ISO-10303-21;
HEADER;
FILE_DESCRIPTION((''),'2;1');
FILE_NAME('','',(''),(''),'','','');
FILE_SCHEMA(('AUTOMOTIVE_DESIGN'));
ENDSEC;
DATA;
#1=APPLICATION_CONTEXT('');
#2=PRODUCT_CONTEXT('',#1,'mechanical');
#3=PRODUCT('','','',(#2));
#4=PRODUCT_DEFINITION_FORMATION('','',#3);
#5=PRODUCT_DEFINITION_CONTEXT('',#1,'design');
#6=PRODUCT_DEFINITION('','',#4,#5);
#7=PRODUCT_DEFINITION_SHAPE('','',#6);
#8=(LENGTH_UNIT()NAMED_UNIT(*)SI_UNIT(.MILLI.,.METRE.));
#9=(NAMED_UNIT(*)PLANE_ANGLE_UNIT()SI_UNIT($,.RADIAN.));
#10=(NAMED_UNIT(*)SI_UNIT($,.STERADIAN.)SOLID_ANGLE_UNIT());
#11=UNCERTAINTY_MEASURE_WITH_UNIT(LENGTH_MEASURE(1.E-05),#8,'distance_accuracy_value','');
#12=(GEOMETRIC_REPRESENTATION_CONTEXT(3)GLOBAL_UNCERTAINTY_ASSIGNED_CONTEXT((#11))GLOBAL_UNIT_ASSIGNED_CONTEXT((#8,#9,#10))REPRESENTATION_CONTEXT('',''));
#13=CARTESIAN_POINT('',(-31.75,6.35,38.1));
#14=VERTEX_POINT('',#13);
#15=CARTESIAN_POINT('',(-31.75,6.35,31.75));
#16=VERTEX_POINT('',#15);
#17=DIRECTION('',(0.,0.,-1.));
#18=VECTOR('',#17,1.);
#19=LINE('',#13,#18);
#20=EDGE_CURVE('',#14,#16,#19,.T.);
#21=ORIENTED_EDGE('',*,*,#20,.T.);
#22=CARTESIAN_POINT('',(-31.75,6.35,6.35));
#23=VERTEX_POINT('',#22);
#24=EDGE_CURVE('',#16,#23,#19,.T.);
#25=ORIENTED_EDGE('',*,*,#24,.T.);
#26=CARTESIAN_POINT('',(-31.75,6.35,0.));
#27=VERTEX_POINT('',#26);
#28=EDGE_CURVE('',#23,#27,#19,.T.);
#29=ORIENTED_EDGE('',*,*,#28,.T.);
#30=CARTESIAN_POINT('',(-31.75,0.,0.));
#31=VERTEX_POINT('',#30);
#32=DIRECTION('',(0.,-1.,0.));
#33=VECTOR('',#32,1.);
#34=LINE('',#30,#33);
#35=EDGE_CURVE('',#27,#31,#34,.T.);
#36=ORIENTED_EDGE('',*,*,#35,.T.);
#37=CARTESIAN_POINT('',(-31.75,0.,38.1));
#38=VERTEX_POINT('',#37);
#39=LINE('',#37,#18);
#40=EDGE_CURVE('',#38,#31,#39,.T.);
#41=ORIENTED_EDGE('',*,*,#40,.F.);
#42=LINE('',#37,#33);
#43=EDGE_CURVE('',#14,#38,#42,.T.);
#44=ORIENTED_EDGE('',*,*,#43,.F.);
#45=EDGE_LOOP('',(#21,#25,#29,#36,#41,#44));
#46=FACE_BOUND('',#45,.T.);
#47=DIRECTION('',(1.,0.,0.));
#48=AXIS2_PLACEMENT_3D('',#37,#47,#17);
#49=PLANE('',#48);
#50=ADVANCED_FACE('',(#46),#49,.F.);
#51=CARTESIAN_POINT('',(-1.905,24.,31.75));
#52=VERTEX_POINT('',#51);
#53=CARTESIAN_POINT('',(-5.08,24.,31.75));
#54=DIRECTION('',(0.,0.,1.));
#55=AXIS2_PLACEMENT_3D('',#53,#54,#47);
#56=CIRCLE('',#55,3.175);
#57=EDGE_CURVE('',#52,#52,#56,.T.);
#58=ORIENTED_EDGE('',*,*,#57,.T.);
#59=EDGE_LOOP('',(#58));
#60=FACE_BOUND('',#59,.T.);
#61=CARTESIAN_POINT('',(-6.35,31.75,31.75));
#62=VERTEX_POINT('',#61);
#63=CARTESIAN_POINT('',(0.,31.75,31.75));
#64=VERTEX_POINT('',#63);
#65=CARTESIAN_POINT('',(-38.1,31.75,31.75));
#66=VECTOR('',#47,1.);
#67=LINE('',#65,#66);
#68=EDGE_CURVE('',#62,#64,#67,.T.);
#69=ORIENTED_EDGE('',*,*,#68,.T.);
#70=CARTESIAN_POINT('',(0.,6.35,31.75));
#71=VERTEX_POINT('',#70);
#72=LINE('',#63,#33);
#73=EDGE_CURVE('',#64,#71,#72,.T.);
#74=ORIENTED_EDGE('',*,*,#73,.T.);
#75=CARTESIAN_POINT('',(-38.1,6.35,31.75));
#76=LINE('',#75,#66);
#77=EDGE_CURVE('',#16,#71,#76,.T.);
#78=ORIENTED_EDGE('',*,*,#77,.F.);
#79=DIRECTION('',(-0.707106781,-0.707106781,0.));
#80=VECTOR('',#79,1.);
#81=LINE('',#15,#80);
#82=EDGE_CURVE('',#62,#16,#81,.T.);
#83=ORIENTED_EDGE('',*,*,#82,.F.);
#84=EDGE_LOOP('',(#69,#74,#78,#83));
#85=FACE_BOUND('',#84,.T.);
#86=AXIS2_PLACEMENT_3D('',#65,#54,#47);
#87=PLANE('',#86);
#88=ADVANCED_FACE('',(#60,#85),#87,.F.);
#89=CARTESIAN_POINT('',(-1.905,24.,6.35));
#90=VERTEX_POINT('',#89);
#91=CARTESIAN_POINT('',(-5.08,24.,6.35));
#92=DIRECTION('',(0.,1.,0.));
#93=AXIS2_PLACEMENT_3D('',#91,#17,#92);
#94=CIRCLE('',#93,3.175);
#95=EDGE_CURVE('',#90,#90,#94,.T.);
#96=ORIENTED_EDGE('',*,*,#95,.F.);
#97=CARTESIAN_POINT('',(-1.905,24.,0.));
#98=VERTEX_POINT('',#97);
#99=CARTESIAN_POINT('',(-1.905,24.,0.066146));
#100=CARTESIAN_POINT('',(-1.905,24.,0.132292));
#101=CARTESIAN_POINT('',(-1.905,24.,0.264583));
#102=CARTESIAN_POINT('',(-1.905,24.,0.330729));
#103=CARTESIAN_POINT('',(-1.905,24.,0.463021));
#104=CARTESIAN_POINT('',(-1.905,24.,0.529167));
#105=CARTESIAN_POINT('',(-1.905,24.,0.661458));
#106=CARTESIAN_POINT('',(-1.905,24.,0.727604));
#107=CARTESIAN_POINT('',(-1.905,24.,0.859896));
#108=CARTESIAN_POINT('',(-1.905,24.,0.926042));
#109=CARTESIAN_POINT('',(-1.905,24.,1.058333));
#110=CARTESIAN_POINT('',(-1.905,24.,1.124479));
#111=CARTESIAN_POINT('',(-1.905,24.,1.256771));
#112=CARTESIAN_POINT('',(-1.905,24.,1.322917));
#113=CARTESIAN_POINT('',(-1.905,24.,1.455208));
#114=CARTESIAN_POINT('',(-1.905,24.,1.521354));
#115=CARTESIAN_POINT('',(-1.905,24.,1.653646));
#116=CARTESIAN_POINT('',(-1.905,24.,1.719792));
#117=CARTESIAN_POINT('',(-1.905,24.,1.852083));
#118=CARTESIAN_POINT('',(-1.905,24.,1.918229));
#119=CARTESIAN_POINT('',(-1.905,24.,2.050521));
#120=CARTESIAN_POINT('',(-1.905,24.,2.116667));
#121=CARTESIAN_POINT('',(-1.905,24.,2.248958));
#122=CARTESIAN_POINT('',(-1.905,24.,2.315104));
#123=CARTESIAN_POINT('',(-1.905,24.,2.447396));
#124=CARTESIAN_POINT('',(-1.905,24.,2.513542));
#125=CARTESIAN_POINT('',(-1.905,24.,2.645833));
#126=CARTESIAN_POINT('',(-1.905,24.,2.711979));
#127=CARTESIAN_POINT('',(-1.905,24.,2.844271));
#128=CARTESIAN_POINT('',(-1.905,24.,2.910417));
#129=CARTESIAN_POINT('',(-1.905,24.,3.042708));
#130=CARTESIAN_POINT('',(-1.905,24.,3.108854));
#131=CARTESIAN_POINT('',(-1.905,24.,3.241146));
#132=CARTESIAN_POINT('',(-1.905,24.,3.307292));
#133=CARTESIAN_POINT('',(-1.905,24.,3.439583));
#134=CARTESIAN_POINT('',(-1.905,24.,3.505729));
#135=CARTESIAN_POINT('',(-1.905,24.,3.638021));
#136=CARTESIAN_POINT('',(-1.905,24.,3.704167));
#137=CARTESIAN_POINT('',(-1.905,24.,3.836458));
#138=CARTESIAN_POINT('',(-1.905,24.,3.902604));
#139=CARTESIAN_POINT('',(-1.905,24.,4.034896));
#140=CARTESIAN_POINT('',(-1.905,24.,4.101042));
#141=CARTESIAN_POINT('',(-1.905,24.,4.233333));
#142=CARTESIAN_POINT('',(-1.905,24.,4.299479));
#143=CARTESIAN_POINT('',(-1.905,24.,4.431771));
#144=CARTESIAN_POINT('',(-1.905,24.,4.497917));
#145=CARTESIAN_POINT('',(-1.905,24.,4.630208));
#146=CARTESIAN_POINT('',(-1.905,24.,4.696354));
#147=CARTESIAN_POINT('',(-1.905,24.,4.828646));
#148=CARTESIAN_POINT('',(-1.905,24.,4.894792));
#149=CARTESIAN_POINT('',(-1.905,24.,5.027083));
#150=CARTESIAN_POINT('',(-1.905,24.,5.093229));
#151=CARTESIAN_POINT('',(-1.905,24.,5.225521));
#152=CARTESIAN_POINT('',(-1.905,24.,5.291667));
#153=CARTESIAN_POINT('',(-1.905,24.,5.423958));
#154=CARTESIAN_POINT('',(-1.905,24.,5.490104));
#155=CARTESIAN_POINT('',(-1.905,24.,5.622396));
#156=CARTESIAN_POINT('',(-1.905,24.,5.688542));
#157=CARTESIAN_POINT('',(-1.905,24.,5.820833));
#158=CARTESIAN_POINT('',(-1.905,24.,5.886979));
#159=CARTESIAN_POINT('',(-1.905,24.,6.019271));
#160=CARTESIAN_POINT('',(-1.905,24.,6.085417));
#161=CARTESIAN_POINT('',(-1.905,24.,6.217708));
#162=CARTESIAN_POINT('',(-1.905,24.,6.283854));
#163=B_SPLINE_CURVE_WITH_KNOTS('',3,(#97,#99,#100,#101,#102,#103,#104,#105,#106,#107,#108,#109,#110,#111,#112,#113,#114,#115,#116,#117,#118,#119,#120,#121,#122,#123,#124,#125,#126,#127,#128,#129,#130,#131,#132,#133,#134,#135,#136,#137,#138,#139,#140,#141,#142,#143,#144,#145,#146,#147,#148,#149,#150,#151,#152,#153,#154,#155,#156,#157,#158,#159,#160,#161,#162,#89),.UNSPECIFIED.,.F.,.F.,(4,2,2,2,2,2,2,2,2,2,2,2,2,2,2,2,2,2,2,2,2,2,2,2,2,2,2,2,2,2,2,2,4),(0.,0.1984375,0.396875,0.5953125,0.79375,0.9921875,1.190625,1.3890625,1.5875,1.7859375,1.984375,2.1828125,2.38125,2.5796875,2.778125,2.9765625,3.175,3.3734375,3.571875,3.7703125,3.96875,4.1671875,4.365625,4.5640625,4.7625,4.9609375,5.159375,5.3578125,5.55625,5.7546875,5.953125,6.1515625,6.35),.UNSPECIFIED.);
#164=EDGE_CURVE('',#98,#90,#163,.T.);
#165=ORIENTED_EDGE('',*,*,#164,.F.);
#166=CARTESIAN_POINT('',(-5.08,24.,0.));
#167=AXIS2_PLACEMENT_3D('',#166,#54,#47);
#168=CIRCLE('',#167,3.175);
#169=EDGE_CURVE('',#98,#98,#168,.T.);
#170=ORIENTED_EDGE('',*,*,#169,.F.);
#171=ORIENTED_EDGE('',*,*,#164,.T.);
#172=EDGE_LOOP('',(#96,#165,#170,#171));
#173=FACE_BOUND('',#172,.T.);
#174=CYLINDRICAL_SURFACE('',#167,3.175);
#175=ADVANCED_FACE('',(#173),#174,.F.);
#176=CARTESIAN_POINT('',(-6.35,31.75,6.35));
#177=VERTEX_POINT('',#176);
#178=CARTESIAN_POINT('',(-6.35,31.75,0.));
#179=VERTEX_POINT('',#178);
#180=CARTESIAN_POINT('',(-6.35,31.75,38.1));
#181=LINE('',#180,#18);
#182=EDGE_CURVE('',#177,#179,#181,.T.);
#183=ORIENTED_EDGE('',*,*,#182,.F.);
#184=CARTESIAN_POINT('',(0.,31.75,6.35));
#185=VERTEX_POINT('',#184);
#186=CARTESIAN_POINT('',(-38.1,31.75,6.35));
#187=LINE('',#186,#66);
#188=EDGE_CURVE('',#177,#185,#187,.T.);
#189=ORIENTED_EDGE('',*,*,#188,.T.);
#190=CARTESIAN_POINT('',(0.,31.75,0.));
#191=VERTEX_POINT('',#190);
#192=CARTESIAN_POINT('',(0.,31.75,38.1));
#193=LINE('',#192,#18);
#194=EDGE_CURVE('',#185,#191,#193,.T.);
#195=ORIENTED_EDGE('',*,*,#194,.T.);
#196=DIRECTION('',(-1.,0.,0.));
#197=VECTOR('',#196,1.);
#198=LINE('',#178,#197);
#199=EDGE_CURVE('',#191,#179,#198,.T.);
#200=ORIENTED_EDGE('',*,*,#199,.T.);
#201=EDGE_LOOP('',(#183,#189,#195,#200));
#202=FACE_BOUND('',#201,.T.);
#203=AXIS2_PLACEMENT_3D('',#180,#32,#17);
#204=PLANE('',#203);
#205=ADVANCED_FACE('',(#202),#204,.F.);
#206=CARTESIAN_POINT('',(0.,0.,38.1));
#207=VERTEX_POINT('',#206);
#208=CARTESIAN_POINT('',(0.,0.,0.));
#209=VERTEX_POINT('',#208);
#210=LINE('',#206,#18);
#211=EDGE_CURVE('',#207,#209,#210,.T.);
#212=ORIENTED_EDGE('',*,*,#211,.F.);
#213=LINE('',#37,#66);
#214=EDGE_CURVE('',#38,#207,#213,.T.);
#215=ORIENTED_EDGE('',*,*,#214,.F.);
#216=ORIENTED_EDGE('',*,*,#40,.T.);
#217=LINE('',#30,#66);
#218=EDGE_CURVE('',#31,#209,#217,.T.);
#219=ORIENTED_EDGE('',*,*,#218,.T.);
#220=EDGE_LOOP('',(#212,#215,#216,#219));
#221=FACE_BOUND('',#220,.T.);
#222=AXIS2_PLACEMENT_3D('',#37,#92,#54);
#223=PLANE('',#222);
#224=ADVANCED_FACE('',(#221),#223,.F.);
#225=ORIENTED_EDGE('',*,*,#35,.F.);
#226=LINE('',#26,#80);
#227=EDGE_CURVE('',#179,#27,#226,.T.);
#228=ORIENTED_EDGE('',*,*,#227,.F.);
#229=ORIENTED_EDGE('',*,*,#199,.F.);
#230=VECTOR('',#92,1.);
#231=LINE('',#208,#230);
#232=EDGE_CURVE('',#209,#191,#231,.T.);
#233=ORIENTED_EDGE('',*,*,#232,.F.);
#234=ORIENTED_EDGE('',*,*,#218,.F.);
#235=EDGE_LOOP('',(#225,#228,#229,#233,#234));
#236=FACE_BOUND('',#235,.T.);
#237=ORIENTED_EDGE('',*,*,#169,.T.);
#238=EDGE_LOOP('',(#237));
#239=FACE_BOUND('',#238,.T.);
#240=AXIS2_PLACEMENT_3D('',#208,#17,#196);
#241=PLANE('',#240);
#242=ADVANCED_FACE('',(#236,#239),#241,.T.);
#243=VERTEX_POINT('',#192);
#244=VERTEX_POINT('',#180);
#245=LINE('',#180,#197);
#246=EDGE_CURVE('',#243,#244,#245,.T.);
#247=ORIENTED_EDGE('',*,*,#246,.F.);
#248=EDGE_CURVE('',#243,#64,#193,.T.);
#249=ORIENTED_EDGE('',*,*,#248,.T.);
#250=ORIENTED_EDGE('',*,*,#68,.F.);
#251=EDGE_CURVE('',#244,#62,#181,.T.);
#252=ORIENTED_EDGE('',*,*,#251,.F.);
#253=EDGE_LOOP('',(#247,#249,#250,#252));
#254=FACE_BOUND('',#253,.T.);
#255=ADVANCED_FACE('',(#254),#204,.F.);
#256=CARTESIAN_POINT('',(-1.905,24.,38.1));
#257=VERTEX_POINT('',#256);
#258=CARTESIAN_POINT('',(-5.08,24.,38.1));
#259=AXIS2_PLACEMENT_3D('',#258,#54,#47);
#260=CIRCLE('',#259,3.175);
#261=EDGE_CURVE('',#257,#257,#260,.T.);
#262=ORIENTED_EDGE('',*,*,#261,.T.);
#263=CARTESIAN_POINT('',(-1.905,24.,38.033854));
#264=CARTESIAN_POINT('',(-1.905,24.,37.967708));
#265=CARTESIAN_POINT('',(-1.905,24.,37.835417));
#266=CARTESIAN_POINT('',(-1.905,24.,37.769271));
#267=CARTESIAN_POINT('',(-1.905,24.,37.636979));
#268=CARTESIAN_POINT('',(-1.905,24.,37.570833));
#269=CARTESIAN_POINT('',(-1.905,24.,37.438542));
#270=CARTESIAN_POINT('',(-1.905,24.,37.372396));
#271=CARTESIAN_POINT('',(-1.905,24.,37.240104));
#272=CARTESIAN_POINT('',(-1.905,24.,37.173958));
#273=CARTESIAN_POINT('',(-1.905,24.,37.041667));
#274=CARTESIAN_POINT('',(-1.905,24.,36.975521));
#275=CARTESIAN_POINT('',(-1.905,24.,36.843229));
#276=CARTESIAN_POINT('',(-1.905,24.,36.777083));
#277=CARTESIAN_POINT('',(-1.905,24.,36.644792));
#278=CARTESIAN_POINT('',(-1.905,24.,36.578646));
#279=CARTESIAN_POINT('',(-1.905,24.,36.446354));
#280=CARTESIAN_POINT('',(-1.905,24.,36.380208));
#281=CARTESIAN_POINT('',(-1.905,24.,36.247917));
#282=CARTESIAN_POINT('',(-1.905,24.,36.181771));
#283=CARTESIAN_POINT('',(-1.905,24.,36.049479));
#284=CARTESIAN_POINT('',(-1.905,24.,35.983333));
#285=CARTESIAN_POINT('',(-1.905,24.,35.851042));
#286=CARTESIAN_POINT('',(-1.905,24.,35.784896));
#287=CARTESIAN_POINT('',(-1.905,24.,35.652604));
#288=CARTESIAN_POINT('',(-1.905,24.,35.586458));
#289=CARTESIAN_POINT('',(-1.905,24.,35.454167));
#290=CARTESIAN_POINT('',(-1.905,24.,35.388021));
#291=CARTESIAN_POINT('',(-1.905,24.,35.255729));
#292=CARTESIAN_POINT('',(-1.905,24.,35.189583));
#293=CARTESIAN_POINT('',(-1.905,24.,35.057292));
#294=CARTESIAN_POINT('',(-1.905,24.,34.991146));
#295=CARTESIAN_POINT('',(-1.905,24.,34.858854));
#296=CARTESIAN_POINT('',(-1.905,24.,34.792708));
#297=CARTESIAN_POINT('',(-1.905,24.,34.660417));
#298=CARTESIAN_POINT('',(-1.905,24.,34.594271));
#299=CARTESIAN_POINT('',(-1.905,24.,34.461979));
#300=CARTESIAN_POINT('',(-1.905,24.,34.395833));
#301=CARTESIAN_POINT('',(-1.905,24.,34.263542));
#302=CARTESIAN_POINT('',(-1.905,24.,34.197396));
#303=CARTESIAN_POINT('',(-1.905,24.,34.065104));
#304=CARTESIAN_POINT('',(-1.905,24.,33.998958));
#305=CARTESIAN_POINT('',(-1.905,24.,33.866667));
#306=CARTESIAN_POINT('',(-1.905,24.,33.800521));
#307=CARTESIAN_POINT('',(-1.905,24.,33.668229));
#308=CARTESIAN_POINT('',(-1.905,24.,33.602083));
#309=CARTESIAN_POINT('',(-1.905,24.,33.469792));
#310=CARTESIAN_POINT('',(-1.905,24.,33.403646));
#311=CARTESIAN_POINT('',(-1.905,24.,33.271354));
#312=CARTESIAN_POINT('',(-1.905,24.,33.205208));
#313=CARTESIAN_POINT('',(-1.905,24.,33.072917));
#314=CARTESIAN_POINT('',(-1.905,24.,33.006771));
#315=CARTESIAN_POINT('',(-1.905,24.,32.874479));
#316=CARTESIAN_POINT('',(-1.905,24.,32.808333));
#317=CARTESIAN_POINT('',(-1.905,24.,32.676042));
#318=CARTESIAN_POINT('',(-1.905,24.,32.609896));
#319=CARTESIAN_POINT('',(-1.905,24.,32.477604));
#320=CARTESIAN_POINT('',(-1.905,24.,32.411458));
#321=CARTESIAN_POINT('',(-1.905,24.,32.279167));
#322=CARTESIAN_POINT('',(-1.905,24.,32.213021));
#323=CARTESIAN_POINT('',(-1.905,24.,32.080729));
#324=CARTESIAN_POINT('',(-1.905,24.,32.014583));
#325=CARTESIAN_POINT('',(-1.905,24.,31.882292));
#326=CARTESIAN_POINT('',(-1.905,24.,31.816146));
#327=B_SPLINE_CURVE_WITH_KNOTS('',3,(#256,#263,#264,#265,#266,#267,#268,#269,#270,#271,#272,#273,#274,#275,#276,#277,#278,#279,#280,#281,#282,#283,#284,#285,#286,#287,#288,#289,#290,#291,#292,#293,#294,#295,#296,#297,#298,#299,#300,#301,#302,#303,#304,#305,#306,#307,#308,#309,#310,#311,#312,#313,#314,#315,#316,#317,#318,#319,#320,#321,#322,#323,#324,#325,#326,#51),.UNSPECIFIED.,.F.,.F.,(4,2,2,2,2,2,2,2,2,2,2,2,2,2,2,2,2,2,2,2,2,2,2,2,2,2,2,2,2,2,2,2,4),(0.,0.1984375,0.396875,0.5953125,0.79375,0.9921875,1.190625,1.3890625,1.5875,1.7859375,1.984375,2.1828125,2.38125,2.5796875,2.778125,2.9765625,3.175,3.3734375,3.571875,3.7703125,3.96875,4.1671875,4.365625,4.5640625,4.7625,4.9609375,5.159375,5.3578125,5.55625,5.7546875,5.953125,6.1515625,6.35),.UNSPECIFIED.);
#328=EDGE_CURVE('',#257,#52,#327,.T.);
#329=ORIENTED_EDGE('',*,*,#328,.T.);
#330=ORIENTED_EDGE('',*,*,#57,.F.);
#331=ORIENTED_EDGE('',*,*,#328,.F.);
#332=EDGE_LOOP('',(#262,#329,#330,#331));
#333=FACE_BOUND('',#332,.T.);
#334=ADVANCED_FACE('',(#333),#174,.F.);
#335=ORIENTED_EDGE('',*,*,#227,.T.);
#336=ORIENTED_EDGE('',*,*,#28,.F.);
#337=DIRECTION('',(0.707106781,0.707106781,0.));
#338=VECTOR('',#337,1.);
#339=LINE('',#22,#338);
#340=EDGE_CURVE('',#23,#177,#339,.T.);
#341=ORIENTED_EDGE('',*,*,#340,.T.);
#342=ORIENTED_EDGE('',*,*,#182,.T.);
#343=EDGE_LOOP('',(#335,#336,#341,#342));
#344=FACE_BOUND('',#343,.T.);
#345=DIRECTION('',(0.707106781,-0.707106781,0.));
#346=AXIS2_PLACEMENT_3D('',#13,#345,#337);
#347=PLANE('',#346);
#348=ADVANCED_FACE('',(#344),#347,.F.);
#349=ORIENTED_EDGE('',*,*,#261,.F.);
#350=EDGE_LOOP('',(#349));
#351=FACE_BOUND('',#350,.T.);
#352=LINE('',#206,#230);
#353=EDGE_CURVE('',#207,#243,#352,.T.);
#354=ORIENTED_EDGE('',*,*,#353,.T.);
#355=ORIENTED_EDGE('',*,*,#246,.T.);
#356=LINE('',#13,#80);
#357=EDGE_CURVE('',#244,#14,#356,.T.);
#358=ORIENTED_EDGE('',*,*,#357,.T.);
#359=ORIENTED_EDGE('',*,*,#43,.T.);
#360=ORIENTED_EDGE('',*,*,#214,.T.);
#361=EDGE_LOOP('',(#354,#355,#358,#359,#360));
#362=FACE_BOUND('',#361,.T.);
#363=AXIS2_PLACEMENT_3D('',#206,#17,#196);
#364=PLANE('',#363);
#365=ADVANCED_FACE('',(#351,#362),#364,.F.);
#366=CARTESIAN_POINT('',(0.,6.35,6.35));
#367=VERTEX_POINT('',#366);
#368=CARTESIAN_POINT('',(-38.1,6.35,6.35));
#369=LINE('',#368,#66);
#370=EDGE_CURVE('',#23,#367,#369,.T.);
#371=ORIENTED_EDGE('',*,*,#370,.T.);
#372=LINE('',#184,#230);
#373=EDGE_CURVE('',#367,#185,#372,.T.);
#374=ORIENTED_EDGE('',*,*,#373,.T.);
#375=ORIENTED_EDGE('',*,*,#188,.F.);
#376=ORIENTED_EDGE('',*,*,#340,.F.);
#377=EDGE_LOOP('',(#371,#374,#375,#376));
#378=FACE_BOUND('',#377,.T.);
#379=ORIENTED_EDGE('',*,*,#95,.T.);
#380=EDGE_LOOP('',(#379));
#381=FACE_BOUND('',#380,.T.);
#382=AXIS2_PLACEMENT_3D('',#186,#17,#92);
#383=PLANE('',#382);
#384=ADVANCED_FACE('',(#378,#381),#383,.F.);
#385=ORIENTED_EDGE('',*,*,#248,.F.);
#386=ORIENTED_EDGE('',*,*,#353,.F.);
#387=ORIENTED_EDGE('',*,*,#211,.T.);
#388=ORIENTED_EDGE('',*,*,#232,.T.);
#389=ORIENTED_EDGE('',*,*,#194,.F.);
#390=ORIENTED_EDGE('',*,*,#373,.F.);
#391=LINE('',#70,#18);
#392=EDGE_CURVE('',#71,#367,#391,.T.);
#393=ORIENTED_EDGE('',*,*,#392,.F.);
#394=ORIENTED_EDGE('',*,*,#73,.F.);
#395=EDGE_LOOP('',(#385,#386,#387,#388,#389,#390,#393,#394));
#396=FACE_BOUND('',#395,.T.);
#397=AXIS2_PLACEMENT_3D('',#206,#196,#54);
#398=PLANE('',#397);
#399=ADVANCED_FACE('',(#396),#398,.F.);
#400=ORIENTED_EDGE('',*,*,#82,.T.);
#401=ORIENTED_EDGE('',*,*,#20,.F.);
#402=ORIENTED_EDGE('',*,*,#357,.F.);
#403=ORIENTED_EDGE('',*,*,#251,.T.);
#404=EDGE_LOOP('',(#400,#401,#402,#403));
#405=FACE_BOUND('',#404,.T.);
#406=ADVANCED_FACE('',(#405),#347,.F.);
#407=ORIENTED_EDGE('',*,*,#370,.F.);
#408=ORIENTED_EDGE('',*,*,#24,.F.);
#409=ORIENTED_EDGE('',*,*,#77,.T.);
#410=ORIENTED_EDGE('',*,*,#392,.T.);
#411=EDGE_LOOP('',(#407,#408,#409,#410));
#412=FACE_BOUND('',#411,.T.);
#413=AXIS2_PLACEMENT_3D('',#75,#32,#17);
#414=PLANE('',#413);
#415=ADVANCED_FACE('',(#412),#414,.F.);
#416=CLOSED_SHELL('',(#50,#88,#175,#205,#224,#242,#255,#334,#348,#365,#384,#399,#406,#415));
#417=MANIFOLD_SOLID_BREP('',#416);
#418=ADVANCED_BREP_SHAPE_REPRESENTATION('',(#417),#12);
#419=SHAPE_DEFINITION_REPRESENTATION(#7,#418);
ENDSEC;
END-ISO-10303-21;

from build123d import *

# Parameters (mm, degrees)
BOSS_EXTRUDE1_DEPTH = 38.1
SKETCH2_W           = 25.4
SKETCH2_H           = 25.4
CUT_EXTRUDE1_DEPTH  = 38.1
SKETCH3_R           = 3.175
CUT_EXTRUDE2_DEPTH  = 38.1


with BuildPart() as part:
    # Sketch1 → Boss-Extrude1 (new body)
    with BuildSketch(Plane.XY):
        Polygon((-31.75, 0), (0, 0), (0, 31.75), (-6.35, 31.75), (-31.75, 6.35), align=None)
    extrude(amount=BOSS_EXTRUDE1_DEPTH)

    # Sketch2 → Cut-Extrude1 (cut)
    with BuildSketch(Plane(origin=(0, 0, 0), x_dir=(0, 0, -1), z_dir=(1, 0, 0))):
        with Locations((-19.05, 19.05)):
            Rectangle(SKETCH2_W, SKETCH2_H)
    extrude(amount=-CUT_EXTRUDE1_DEPTH, mode=Mode.SUBTRACT)

    # Sketch3 → Cut-Extrude2 (cut)
    with BuildSketch(Plane.XY.offset(38.1)):
        with Locations((-5.08, 24)):
            Circle(SKETCH3_R)
    extrude(amount=-CUT_EXTRUDE2_DEPTH, mode=Mode.SUBTRACT)


solid = part.part
